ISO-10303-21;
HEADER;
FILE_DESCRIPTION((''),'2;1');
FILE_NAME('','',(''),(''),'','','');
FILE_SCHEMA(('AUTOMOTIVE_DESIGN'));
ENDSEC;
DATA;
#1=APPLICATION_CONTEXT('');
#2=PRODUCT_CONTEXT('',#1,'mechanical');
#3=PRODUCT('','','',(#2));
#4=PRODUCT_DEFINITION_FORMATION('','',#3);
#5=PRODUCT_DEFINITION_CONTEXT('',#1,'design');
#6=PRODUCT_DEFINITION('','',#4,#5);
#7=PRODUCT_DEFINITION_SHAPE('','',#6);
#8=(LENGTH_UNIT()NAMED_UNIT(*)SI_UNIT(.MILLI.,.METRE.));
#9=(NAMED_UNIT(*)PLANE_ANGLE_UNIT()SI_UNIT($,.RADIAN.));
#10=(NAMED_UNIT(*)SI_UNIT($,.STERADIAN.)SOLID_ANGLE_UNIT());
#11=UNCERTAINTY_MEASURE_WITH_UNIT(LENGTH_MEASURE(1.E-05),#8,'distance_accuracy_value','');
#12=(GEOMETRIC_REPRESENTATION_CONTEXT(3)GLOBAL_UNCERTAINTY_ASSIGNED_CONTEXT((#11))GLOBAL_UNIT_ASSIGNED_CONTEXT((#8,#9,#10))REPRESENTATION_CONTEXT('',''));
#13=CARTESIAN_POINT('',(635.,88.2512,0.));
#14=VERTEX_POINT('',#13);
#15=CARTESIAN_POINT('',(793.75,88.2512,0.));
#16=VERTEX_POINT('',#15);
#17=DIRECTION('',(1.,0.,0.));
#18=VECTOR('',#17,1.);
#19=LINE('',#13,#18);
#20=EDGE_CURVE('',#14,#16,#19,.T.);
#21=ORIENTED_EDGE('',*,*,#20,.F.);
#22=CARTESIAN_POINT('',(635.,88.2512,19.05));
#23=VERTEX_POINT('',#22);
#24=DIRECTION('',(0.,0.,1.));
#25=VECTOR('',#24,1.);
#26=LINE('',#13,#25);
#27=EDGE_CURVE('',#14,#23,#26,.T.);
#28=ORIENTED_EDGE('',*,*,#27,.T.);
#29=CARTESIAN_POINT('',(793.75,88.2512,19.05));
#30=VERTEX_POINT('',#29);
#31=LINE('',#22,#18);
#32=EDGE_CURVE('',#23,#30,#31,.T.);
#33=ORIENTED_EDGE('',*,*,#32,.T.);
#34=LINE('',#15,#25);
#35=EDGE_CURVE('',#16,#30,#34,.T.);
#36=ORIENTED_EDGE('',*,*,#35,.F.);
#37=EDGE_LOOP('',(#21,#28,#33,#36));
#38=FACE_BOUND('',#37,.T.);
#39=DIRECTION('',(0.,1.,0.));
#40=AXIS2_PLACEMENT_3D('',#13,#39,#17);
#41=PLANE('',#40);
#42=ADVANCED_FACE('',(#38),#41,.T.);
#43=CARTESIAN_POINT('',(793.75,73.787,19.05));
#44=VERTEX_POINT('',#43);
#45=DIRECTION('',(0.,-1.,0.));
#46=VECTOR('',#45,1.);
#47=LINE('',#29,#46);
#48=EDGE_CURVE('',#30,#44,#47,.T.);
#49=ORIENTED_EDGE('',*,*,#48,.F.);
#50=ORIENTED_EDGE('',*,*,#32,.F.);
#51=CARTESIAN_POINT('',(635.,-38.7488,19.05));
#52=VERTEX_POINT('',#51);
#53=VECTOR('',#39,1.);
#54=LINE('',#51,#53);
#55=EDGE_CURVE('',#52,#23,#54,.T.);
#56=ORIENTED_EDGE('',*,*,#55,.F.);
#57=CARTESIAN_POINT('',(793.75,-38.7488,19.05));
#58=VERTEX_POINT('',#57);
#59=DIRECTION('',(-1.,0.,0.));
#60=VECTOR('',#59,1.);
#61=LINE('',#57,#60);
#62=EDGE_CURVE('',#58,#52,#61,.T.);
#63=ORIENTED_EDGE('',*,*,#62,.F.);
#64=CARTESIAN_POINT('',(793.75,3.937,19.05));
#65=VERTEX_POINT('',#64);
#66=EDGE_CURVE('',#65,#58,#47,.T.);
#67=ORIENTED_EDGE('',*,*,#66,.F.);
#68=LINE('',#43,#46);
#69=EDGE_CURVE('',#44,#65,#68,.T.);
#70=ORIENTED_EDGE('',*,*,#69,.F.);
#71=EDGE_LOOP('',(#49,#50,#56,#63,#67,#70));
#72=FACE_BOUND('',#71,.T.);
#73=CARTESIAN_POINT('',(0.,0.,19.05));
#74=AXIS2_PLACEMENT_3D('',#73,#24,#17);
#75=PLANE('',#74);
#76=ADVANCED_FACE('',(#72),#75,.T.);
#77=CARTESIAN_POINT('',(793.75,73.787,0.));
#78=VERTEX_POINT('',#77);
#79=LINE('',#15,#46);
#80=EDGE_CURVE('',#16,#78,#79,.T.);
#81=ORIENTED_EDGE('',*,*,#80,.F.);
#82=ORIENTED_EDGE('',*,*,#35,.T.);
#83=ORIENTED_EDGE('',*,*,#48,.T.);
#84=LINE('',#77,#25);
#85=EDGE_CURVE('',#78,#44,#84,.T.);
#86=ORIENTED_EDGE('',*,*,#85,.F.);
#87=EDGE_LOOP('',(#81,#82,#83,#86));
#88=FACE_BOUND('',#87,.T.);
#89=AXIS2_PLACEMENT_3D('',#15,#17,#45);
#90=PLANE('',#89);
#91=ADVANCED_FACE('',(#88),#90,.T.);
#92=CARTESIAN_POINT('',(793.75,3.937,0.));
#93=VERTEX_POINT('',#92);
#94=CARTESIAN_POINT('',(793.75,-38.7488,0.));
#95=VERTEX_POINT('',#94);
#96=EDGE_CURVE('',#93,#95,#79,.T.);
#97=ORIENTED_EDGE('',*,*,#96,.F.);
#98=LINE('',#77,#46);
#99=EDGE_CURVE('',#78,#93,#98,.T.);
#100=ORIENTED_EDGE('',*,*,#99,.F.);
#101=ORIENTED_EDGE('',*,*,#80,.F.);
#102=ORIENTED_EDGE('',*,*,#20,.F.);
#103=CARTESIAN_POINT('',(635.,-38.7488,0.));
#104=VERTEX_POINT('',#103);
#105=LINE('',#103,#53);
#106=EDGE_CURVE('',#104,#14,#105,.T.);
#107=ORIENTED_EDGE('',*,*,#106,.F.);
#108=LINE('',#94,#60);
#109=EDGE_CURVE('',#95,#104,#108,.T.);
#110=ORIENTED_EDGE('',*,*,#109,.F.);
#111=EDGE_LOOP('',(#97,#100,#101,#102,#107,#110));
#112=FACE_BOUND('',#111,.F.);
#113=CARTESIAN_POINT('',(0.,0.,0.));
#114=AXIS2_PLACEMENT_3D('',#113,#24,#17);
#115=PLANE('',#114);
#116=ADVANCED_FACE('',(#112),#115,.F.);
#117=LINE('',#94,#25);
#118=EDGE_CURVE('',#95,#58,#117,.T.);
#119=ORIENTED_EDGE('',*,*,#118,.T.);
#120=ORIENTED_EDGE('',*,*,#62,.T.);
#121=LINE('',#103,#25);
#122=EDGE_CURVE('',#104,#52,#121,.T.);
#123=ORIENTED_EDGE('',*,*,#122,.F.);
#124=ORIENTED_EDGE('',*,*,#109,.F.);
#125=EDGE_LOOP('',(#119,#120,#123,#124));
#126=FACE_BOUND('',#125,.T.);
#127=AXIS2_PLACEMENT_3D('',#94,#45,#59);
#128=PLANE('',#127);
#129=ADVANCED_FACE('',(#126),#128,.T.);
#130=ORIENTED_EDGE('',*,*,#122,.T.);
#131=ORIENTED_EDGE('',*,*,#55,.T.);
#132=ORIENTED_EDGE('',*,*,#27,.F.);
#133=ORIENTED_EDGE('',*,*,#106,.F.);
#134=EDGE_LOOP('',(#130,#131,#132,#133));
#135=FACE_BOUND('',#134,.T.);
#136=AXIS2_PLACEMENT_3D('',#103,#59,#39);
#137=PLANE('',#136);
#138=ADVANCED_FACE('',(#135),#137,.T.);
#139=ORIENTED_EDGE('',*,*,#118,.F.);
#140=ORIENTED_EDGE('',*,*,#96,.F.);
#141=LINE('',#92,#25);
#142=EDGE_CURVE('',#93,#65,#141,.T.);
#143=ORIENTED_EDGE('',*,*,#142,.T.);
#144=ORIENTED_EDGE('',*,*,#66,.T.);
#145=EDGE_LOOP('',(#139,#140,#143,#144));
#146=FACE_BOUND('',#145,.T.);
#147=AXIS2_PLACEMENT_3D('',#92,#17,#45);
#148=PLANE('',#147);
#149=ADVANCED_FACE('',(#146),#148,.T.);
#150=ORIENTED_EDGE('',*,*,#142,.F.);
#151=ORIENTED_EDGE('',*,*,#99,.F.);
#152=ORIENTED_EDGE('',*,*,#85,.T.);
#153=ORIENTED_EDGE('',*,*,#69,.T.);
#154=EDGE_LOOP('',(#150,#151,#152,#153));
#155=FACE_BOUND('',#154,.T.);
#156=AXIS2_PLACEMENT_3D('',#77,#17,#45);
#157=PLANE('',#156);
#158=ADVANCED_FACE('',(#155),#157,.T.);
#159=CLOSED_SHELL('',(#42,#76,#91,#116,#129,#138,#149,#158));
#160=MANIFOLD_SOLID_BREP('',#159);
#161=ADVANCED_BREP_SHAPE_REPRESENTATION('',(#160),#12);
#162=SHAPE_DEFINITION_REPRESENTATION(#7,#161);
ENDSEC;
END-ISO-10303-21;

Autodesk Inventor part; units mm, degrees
ref_plane "YZ Plane" through (0, 0, 0) normal (1, 0, 0) x (0, 1, 0)
ref_plane "XZ Plane" through (0, 0, 0) normal (0, 1, 0) x (-1, 0, 0)
ref_plane "XY Plane" through (0, 0, 0) normal (0, 0, 1) x (1, 0, 0)
sketch "Sketch1" plane through (0, 0, 0) normal (0, 0, 1) x (1, 0, 0)
  line L0 (793.75, -38.7488) -> (635, -38.7488)
  line L1 (635, -38.7488) -> (635, 88.2512)
  line L2 (635, 88.2512) -> (793.75, 88.2512)
  line L3 (793.75, 88.2512) -> (793.75, -38.7488)
  line L4 (793.75, 73.787) -> (793.75, 3.937) projected
  line L5 (684.0312, 142.2262) -> (788.5674, 142.2262) construction
  line L6 (787.4, 81.407) -> (622.3, 81.407) construction
  point P0 (0, 0)
  point P1 (793.75, 24.7512)
  point P2 (793.75, 38.862)
  dimension "d0" = 158.75
  dimension "d2" = 60.8192
  dimension "d3" = 180.975
  dimension "d4" = 127
extrude "Extrusion1" add sketch "Sketch1" along normal blind 19.05
properties part number "3_4 Intake Board"
